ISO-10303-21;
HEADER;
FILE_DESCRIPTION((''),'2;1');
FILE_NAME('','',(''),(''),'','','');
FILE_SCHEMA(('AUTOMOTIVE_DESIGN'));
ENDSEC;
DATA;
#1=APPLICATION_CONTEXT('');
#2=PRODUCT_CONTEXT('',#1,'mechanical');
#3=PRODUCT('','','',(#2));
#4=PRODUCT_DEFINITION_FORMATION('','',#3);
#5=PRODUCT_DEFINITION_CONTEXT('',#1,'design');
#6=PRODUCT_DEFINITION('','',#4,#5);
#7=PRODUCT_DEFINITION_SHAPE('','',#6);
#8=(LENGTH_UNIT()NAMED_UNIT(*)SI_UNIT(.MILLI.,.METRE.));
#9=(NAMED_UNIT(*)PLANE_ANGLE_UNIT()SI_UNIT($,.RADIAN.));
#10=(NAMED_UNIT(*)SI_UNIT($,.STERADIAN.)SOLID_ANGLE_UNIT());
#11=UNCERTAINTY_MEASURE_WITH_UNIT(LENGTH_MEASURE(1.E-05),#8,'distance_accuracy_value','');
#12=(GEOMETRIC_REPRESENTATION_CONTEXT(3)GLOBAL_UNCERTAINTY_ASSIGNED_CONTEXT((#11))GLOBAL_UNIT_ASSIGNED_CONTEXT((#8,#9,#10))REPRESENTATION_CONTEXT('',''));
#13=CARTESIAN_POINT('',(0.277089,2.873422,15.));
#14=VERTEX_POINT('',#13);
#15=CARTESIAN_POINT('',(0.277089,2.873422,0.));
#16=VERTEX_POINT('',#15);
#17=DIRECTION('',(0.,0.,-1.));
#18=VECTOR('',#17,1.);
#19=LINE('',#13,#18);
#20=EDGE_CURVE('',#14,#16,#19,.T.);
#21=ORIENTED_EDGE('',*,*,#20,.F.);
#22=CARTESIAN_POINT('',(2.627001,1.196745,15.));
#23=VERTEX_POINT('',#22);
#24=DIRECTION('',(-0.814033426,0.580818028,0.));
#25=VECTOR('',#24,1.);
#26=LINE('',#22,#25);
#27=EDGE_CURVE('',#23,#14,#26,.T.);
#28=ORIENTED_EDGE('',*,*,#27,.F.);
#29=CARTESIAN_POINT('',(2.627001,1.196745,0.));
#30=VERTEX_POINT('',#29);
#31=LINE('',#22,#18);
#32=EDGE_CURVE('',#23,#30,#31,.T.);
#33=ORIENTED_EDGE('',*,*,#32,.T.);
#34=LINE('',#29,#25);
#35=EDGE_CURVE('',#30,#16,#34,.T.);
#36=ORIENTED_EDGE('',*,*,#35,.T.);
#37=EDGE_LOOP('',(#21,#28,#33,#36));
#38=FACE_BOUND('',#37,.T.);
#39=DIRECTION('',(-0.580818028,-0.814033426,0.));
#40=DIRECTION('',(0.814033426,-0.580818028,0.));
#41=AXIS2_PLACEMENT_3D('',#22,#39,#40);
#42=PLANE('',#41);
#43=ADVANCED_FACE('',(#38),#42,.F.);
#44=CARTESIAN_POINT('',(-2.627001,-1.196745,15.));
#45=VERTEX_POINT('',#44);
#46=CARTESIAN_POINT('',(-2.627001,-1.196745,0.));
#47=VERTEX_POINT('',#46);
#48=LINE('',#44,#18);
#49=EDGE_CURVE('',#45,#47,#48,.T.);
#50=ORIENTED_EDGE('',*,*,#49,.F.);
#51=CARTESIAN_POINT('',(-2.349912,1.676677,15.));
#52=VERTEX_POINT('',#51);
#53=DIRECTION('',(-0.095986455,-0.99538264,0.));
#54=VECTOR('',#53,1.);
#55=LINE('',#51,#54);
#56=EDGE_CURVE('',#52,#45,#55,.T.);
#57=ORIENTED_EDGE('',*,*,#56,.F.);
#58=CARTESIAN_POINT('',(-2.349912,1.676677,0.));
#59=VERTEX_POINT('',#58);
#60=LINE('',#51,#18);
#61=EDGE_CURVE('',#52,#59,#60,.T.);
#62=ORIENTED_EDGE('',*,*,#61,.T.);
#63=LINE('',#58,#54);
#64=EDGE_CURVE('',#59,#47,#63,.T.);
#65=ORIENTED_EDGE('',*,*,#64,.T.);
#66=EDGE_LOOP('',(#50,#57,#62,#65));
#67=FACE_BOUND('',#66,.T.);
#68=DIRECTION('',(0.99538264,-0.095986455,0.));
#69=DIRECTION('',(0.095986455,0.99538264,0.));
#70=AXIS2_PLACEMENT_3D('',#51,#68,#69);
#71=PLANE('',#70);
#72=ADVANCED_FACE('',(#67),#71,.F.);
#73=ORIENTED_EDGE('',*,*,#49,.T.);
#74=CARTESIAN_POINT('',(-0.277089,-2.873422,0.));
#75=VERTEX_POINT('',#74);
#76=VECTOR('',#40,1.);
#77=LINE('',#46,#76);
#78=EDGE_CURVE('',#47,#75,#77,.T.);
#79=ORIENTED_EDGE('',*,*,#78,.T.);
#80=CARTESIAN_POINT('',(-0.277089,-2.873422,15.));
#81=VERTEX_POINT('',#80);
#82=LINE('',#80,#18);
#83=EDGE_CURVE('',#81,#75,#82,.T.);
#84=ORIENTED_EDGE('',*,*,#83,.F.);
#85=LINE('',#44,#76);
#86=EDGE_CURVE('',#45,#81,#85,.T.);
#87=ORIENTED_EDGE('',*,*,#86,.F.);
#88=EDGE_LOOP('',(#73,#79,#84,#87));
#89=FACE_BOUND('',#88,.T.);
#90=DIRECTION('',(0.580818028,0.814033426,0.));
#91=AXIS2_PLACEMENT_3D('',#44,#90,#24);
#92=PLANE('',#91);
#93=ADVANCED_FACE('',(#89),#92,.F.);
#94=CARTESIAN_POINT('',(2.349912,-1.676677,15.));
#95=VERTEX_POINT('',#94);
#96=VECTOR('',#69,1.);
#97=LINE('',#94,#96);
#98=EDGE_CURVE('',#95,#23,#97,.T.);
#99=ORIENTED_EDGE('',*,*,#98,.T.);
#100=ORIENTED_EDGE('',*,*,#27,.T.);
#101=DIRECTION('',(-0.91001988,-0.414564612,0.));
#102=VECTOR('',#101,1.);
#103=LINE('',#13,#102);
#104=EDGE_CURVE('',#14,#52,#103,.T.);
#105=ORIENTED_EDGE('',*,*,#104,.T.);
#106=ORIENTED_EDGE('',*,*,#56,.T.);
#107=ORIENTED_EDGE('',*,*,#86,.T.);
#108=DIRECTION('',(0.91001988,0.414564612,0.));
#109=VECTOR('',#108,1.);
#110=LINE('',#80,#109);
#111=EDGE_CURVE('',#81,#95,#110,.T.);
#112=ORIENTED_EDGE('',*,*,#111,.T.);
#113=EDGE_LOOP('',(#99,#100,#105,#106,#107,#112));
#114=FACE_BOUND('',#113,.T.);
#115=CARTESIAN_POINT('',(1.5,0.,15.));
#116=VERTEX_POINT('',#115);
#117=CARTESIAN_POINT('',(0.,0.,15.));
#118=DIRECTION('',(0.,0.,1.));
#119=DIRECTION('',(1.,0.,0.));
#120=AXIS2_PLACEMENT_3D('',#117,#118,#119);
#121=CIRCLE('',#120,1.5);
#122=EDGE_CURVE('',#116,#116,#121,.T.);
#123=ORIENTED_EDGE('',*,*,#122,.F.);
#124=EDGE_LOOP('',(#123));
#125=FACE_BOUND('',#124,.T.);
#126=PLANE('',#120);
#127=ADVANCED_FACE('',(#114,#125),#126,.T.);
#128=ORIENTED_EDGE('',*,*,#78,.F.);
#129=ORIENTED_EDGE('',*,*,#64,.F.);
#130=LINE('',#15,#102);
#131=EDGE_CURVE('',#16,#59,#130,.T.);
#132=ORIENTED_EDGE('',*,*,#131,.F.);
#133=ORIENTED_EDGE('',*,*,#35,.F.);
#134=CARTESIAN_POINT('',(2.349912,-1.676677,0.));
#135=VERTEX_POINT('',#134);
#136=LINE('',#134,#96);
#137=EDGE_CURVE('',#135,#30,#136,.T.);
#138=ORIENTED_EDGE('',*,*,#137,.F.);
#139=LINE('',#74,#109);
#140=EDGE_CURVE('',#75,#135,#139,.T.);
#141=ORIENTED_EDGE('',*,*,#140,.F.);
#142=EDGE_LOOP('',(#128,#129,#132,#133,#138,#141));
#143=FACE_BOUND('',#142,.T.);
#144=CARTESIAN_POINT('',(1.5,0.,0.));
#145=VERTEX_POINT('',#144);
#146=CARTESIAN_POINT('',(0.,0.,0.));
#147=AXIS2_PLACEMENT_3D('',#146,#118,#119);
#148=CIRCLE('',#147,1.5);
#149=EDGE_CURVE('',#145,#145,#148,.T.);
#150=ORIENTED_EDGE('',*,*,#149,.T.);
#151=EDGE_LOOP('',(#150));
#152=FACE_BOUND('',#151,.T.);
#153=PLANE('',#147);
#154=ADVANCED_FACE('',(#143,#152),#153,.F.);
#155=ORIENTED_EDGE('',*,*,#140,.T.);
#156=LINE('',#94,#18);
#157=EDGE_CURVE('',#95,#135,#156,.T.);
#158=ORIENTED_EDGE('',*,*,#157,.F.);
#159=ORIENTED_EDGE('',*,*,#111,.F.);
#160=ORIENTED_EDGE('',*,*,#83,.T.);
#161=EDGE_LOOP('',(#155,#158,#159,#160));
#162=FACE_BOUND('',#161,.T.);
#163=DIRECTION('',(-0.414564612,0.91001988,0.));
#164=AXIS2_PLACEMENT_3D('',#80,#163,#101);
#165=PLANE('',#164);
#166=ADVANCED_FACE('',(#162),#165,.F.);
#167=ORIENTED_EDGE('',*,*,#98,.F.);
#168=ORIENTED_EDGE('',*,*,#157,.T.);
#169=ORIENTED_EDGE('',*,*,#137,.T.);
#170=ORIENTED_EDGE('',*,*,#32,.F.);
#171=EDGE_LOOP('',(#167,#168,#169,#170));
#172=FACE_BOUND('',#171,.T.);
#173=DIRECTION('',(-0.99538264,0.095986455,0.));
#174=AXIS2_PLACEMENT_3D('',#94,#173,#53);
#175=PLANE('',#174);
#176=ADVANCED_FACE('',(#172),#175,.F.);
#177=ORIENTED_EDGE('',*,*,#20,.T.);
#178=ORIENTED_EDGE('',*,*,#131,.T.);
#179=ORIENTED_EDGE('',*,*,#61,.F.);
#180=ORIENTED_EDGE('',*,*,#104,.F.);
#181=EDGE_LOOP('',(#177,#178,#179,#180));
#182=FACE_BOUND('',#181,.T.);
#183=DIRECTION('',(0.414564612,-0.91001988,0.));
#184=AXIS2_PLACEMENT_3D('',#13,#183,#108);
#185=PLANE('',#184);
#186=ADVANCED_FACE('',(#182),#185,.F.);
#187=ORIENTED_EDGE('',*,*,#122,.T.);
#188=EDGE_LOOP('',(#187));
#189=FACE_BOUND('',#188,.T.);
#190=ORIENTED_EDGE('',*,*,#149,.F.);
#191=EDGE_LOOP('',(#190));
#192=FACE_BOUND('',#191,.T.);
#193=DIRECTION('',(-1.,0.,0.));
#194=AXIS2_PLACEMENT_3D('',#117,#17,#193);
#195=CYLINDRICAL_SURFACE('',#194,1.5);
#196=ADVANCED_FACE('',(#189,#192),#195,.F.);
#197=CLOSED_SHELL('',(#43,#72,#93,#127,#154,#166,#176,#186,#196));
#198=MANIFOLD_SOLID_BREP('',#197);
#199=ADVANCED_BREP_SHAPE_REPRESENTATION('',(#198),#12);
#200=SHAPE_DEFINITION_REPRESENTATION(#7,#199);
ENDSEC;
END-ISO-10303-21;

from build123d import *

# Parameters (mm, degrees)
SZKIC1_R                    = 1.5
DODANIE_WYCI_GNI_CIE1_DEPTH = 15


with BuildPart() as part:
    # Szkic1 → Dodanie-wyciągnięcie1 (new body)
    with BuildSketch(Plane.XY):
        Polygon((2.627001114, 1.196744952), (0.277089027, 2.873422177), (-2.349912087, 1.676677225), (-2.627001114, -1.196744952), (-0.277089027, -2.873422177), (2.349912087, -1.676677225), align=None)
        Circle(SZKIC1_R, mode=Mode.SUBTRACT)
    extrude(amount=DODANIE_WYCI_GNI_CIE1_DEPTH)


solid = part.part
